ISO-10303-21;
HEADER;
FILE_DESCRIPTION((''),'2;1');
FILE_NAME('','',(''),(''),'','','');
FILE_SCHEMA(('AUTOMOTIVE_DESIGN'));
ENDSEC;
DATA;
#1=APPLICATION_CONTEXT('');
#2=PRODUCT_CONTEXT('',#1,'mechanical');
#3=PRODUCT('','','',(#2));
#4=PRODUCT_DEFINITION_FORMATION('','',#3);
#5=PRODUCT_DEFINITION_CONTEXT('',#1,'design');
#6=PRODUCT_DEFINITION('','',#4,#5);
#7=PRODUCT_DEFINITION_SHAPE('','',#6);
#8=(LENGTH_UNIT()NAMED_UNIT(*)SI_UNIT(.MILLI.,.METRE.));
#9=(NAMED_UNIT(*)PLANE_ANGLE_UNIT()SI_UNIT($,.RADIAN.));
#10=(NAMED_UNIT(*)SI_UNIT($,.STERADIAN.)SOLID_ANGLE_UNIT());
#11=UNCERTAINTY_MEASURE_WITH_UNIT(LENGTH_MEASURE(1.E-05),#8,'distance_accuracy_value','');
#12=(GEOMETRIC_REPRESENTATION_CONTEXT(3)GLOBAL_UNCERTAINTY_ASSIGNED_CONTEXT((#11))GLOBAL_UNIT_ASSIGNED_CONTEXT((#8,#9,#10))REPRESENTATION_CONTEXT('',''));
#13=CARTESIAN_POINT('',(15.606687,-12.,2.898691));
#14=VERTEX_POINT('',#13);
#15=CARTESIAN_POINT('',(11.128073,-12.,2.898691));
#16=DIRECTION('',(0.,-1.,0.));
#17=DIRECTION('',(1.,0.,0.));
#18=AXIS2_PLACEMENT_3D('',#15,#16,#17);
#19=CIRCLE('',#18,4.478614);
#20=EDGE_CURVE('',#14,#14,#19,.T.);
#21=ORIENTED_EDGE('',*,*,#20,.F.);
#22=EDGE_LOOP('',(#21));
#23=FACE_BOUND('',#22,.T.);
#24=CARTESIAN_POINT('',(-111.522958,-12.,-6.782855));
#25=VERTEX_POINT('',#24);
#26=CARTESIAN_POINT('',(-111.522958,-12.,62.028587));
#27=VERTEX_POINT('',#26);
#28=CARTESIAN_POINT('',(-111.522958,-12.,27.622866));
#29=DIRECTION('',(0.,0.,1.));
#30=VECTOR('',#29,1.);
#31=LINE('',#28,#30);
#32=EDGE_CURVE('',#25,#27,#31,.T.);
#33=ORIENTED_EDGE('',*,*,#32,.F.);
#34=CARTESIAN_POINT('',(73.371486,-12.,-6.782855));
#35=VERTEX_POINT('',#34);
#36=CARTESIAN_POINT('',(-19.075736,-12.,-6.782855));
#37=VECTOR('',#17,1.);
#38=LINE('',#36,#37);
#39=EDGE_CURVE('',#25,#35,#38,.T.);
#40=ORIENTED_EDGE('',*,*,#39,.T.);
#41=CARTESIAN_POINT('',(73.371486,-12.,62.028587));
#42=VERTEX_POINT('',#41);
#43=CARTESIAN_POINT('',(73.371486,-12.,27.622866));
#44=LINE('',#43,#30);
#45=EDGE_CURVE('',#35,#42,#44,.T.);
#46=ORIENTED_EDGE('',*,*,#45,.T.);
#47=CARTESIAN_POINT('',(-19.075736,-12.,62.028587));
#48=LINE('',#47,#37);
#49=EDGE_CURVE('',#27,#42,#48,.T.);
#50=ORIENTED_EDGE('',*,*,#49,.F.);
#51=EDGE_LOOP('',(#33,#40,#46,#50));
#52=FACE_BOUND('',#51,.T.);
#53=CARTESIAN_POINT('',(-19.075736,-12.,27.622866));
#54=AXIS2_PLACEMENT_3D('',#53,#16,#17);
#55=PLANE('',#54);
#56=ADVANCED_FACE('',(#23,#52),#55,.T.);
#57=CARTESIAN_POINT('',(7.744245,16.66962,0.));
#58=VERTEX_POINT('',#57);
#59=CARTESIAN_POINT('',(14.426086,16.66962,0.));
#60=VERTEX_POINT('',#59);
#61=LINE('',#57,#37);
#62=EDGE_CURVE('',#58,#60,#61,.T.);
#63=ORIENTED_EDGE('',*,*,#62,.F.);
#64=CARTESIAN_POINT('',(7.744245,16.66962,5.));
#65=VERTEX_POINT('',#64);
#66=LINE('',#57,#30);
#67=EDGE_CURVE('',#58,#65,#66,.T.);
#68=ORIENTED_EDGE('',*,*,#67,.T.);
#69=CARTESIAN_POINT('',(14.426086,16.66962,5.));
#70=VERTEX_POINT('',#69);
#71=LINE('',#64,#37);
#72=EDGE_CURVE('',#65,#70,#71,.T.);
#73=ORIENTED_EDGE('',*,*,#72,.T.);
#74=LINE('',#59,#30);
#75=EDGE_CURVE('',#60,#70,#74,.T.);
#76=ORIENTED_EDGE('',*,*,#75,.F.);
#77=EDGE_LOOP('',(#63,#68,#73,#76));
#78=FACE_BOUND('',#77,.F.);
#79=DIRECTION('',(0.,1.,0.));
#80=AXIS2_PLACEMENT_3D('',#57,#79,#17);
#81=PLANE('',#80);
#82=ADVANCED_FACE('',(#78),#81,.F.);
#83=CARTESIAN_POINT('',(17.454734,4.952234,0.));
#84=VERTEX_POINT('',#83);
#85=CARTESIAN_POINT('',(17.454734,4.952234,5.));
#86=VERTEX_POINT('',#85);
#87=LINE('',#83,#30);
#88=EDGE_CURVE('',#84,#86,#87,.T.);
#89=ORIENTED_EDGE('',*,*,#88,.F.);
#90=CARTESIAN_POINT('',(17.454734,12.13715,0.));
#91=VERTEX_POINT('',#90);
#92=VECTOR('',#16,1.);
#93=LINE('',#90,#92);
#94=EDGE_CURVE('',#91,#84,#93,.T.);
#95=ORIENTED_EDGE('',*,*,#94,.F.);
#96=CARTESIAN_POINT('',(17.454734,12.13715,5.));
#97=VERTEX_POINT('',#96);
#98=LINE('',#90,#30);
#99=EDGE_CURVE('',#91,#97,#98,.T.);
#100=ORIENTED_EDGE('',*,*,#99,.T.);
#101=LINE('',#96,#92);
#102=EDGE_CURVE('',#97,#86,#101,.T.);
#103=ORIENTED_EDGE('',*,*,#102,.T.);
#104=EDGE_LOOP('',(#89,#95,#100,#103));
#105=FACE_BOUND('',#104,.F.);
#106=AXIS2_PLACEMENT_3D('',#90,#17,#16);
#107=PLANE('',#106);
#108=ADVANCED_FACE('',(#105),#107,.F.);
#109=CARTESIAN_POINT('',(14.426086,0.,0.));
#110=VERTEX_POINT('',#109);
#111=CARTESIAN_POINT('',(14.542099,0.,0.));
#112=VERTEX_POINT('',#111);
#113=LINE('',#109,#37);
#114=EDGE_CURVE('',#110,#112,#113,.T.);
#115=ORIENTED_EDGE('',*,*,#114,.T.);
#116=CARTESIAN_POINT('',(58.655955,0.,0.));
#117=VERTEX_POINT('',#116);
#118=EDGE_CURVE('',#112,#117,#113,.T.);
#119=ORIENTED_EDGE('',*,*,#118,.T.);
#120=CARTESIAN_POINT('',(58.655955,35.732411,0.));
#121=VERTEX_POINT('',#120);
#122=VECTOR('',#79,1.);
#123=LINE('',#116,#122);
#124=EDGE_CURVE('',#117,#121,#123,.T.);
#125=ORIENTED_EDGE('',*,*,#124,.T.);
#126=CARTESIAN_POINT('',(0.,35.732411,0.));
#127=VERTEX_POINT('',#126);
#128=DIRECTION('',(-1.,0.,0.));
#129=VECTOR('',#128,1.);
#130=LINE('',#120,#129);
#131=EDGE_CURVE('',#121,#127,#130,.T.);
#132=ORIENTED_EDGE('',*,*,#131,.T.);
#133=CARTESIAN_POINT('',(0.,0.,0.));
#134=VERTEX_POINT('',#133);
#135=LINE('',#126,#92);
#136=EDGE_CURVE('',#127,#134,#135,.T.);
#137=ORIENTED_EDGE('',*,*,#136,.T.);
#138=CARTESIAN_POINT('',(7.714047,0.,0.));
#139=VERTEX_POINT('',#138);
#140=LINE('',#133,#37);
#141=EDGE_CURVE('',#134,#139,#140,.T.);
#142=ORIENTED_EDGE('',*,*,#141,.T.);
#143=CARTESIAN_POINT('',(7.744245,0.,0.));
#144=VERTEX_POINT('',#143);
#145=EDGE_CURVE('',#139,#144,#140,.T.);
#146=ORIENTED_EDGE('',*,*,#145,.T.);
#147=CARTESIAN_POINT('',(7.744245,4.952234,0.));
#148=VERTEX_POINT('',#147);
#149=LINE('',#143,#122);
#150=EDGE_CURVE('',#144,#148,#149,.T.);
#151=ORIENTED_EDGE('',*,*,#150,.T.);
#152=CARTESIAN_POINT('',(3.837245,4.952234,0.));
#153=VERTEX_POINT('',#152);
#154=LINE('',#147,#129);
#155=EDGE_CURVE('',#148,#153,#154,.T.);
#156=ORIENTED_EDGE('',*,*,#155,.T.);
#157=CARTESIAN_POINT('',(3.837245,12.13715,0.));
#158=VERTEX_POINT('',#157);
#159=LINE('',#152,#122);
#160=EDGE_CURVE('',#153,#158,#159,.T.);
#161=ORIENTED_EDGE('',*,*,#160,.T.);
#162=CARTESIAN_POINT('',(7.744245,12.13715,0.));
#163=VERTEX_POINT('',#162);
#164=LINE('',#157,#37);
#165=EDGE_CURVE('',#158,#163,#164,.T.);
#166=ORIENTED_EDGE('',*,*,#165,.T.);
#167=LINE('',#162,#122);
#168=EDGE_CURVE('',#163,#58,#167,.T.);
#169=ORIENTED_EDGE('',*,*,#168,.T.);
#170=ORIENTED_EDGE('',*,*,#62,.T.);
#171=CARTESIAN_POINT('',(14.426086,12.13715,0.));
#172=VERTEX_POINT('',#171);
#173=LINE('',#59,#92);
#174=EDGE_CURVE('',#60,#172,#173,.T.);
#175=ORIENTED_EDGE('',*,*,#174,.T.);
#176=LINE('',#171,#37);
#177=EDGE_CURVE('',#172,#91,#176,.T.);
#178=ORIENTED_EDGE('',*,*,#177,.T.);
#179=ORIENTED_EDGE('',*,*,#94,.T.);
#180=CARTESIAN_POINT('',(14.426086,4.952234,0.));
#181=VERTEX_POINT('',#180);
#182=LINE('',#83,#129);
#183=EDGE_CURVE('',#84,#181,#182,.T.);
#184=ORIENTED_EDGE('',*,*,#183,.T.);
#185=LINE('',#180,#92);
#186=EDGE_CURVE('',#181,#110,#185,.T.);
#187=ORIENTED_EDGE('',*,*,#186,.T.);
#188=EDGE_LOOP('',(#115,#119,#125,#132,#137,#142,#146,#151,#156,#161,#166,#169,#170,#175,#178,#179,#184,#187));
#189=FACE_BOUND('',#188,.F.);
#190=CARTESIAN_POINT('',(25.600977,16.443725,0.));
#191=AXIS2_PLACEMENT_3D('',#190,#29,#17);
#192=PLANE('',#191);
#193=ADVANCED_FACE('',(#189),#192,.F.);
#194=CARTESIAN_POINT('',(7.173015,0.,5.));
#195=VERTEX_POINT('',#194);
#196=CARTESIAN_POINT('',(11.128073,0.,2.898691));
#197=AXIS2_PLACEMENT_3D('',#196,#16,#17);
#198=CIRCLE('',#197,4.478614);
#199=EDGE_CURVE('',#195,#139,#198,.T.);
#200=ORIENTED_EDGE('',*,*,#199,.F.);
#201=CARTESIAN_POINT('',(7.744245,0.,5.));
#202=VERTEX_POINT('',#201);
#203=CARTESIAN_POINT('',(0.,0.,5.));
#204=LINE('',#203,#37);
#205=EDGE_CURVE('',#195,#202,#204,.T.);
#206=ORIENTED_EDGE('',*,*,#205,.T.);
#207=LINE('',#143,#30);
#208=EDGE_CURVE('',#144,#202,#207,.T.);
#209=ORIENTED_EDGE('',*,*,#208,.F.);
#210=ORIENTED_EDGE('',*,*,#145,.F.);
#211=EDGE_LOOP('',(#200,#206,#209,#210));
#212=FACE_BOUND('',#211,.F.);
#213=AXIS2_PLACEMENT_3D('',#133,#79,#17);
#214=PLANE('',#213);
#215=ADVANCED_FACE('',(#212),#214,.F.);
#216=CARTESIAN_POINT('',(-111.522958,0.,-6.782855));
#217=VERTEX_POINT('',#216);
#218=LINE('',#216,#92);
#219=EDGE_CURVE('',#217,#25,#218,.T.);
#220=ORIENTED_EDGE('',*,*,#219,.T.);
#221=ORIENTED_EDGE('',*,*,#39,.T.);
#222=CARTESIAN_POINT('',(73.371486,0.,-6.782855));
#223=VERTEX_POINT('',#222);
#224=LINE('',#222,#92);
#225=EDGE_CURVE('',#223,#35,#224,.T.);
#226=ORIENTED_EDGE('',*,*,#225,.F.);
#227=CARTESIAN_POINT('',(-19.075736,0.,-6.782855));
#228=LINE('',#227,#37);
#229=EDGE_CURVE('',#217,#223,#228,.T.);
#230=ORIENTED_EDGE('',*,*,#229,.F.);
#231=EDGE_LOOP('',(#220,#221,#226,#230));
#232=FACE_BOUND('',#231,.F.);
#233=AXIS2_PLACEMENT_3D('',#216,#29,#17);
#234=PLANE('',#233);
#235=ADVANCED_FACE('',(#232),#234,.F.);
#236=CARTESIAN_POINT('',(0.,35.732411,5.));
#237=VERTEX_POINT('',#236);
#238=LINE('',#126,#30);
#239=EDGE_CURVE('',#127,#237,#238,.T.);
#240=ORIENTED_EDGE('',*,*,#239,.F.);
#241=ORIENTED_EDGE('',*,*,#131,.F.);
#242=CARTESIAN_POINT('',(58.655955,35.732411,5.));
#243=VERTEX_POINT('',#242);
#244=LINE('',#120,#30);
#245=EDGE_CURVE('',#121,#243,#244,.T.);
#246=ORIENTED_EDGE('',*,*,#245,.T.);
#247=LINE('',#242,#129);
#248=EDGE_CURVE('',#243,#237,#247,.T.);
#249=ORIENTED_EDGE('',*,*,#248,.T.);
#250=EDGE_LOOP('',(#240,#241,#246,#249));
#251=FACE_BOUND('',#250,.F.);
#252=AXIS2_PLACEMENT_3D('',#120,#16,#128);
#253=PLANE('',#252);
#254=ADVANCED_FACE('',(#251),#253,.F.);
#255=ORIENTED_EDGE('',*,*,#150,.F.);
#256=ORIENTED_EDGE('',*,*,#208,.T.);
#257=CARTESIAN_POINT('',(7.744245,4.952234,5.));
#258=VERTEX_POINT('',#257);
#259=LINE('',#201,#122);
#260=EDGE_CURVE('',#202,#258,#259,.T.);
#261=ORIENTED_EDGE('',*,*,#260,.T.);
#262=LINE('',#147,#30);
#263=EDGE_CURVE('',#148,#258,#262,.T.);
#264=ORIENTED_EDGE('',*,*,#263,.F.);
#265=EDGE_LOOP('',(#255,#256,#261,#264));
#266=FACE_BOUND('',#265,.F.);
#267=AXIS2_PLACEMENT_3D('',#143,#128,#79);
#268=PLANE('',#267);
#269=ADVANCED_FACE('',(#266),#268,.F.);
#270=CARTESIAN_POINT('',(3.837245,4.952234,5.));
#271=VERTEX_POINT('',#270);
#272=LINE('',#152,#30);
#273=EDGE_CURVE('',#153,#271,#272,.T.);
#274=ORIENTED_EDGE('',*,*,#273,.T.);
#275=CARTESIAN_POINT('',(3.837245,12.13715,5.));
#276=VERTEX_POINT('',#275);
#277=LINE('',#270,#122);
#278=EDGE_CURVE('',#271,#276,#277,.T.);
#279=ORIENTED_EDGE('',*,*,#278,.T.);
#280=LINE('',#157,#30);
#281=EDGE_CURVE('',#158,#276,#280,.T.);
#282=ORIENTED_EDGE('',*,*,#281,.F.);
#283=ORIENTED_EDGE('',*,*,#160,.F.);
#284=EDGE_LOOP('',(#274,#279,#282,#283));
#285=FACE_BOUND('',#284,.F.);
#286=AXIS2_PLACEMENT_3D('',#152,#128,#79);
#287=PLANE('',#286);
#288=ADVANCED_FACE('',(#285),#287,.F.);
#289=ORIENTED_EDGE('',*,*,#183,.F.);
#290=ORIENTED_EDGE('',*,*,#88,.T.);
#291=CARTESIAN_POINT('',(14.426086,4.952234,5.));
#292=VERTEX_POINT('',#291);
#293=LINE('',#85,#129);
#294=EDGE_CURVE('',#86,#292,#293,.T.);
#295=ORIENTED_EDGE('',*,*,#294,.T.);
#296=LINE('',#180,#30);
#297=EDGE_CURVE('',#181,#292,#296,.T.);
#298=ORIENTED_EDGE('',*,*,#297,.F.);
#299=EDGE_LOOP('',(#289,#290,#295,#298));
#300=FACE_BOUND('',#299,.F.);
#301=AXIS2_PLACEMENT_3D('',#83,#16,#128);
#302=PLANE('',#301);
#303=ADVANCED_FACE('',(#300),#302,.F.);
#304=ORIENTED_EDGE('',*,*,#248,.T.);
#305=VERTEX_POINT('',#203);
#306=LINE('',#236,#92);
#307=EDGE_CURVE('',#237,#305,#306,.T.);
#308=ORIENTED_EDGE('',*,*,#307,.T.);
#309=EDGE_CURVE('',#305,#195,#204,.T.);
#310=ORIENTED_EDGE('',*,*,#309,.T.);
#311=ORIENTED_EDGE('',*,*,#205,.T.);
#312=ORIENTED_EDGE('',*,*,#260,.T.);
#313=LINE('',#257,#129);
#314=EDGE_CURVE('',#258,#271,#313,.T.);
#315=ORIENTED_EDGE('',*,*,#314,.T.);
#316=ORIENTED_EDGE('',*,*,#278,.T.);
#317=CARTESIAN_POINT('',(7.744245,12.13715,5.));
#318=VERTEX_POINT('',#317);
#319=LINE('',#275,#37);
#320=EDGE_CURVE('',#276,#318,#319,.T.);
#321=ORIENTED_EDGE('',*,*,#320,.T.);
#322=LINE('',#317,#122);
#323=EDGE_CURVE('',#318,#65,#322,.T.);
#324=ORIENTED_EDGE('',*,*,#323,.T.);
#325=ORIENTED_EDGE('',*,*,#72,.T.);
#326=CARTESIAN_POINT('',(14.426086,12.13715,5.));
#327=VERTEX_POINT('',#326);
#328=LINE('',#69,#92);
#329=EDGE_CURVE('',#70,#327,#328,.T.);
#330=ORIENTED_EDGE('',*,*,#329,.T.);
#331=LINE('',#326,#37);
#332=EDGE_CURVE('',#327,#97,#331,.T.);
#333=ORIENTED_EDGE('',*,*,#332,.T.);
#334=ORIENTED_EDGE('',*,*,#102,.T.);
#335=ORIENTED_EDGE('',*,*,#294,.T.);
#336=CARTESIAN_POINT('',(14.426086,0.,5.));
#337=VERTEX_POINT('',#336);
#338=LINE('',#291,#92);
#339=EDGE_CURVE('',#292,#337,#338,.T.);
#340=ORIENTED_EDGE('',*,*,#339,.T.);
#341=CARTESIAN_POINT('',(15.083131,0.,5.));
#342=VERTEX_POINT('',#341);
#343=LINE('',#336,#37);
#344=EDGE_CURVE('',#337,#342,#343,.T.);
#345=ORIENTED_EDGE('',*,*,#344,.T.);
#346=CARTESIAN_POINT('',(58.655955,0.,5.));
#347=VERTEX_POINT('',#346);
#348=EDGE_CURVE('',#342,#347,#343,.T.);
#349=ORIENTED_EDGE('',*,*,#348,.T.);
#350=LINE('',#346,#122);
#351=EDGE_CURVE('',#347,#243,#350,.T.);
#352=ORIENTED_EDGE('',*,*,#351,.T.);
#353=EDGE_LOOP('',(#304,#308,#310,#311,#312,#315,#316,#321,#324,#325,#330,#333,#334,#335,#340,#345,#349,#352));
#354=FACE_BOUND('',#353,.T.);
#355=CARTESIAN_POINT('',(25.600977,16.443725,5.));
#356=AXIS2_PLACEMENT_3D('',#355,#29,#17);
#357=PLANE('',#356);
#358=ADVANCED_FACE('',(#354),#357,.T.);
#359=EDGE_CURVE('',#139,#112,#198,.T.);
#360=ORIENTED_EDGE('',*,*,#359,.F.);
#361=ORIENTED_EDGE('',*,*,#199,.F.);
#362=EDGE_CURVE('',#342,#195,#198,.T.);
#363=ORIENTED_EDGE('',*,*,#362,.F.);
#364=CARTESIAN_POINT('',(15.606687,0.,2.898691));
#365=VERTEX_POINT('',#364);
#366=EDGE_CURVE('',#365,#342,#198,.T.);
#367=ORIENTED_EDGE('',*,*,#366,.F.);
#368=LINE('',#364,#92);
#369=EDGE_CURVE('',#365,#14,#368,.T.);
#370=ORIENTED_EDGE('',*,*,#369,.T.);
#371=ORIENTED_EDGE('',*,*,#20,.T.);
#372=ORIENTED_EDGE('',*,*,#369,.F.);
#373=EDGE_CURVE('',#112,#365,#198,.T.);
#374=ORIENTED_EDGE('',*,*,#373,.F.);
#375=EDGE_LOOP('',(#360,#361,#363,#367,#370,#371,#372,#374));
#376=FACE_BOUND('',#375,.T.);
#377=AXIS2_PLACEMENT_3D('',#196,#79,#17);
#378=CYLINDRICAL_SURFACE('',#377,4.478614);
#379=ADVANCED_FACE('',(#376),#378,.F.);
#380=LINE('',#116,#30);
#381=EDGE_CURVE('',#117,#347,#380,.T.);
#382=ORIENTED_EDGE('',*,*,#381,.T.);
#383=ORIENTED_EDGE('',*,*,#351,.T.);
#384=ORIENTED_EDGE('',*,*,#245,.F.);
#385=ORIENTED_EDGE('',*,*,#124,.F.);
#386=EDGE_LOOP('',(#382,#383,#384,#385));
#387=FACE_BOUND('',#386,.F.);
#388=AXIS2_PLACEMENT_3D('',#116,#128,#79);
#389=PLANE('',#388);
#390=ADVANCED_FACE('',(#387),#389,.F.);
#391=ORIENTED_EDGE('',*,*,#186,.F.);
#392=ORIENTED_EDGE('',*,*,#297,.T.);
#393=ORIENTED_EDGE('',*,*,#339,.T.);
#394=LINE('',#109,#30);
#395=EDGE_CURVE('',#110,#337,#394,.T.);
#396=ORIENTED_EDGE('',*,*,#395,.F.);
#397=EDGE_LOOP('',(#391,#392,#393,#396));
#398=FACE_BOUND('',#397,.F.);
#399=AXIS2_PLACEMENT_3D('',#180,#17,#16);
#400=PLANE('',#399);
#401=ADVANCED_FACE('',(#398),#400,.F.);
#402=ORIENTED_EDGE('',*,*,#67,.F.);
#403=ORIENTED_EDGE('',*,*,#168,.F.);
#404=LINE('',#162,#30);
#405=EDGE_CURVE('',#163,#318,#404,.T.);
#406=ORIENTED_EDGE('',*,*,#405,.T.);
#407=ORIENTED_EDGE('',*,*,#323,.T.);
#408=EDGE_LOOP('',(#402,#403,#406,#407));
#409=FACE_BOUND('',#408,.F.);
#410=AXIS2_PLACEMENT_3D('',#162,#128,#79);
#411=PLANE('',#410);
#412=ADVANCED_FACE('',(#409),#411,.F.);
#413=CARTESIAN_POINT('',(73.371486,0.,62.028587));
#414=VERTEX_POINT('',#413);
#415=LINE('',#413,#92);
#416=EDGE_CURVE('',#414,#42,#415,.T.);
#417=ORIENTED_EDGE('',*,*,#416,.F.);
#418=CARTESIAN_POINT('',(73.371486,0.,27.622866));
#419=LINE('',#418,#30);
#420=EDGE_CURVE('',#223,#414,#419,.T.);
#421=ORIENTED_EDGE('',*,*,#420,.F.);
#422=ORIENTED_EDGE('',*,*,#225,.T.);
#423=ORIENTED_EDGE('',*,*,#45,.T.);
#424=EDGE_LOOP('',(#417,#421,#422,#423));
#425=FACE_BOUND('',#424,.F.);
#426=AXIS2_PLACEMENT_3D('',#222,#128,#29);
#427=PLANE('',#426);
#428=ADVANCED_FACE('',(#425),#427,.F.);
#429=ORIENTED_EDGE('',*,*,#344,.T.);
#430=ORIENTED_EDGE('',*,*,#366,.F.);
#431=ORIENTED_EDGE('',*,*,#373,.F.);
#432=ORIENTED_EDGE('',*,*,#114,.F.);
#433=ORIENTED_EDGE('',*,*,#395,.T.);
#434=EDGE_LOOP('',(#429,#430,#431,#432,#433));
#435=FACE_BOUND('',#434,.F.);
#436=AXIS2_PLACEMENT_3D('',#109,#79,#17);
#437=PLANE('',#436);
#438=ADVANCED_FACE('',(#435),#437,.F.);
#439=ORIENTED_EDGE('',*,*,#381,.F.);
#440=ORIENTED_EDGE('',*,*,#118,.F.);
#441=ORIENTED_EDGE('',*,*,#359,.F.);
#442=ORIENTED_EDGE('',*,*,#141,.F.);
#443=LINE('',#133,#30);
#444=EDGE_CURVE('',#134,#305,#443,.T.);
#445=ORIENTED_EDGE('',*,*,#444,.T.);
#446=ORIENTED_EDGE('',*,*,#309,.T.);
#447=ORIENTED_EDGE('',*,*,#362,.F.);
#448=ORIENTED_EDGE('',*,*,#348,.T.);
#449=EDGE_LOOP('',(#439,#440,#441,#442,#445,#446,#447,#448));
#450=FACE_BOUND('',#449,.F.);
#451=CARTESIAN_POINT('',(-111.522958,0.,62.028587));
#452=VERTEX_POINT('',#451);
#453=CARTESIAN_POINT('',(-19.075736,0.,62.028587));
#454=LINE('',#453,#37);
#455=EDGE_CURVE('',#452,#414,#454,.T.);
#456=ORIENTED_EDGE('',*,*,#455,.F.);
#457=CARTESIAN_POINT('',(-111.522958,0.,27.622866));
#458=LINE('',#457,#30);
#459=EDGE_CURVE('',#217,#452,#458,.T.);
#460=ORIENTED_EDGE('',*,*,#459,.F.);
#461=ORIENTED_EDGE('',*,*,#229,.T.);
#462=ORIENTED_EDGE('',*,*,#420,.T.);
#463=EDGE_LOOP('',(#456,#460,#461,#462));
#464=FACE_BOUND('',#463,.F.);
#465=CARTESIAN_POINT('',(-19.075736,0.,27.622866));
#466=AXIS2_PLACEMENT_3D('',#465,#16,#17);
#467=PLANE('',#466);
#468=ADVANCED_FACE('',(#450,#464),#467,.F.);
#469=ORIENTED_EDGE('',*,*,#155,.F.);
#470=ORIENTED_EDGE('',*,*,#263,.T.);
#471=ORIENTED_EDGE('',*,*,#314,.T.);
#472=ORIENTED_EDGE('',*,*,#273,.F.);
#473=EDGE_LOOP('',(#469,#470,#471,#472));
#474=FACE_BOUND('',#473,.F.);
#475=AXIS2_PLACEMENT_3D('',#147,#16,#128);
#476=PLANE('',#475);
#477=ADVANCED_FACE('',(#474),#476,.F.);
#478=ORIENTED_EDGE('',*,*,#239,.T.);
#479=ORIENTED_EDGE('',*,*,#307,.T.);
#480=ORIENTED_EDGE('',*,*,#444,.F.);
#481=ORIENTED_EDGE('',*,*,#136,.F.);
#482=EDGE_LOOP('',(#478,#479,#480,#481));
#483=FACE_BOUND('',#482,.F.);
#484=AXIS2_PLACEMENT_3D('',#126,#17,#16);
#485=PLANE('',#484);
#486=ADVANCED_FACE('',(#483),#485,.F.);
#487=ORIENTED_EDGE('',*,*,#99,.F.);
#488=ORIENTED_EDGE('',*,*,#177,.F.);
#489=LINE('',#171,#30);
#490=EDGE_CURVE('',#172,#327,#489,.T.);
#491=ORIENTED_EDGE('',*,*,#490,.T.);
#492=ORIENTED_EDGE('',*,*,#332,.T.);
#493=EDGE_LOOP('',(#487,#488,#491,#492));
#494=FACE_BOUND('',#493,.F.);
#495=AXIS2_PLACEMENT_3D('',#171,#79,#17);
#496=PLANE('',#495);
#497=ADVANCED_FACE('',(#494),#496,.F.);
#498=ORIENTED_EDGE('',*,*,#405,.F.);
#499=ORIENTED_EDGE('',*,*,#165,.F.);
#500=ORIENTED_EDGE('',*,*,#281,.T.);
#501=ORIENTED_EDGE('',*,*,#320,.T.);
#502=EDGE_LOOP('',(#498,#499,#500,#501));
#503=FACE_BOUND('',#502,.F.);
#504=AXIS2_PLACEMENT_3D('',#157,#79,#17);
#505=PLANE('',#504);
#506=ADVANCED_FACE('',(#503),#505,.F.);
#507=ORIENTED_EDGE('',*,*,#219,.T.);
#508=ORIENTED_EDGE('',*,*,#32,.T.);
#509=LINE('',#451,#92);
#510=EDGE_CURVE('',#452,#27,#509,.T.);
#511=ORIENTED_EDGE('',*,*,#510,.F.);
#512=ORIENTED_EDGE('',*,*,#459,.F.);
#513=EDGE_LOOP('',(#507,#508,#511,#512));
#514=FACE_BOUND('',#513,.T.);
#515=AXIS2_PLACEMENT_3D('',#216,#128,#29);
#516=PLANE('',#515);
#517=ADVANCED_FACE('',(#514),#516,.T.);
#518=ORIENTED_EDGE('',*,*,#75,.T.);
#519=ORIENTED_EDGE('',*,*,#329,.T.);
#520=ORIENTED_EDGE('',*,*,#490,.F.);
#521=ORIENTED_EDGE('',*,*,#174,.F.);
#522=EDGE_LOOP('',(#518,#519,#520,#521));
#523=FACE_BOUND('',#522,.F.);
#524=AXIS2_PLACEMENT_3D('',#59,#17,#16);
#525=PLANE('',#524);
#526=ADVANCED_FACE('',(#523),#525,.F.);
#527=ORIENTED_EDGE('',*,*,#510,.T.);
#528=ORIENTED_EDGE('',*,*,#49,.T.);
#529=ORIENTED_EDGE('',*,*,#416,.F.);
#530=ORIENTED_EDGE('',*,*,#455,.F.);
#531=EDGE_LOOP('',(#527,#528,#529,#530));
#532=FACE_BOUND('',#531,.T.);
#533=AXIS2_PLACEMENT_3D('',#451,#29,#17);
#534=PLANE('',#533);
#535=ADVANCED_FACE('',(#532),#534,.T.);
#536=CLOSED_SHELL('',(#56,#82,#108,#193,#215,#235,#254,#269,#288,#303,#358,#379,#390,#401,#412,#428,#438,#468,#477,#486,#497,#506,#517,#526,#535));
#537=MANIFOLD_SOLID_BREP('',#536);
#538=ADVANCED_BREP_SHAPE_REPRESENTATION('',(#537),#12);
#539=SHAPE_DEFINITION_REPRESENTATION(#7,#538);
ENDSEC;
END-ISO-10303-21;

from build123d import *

# Parameters (mm, degrees)
F1_DEPTH = 5
F2_W     = 184.894443
F2_H     = 68.811441
F2_R     = 4.478614
F3_DEPTH = 12


with BuildPart() as f1:
    # F0 (on Top) → F1 (new body)
    with BuildSketch(Plane.XY):
        Polygon((0, 35.732411), (0, 0), (7.744245, 0), (7.744245, 4.952234), (3.837245, 4.952234), (3.837245, 12.13715), (7.744245, 12.13715), (7.744245, 16.66962), (14.426086, 16.66962), (14.426086, 12.13715), (17.454734, 12.13715), (17.454734, 4.952234), (14.426086, 4.952234), (14.426086, 0), (58.655955, 0), (58.655955, 35.732411), align=None)
    extrude(amount=F1_DEPTH)

    # F2 (on Front) → F3 (join)
    with BuildSketch(Plane.XZ):
        with Locations((-19.075736, 27.622866)):
            Rectangle(F2_W, F2_H)
        with Locations((11.128073, 2.898691)):
            Circle(F2_R, mode=Mode.SUBTRACT)
    extrude(amount=F3_DEPTH)


solid = f1.part
